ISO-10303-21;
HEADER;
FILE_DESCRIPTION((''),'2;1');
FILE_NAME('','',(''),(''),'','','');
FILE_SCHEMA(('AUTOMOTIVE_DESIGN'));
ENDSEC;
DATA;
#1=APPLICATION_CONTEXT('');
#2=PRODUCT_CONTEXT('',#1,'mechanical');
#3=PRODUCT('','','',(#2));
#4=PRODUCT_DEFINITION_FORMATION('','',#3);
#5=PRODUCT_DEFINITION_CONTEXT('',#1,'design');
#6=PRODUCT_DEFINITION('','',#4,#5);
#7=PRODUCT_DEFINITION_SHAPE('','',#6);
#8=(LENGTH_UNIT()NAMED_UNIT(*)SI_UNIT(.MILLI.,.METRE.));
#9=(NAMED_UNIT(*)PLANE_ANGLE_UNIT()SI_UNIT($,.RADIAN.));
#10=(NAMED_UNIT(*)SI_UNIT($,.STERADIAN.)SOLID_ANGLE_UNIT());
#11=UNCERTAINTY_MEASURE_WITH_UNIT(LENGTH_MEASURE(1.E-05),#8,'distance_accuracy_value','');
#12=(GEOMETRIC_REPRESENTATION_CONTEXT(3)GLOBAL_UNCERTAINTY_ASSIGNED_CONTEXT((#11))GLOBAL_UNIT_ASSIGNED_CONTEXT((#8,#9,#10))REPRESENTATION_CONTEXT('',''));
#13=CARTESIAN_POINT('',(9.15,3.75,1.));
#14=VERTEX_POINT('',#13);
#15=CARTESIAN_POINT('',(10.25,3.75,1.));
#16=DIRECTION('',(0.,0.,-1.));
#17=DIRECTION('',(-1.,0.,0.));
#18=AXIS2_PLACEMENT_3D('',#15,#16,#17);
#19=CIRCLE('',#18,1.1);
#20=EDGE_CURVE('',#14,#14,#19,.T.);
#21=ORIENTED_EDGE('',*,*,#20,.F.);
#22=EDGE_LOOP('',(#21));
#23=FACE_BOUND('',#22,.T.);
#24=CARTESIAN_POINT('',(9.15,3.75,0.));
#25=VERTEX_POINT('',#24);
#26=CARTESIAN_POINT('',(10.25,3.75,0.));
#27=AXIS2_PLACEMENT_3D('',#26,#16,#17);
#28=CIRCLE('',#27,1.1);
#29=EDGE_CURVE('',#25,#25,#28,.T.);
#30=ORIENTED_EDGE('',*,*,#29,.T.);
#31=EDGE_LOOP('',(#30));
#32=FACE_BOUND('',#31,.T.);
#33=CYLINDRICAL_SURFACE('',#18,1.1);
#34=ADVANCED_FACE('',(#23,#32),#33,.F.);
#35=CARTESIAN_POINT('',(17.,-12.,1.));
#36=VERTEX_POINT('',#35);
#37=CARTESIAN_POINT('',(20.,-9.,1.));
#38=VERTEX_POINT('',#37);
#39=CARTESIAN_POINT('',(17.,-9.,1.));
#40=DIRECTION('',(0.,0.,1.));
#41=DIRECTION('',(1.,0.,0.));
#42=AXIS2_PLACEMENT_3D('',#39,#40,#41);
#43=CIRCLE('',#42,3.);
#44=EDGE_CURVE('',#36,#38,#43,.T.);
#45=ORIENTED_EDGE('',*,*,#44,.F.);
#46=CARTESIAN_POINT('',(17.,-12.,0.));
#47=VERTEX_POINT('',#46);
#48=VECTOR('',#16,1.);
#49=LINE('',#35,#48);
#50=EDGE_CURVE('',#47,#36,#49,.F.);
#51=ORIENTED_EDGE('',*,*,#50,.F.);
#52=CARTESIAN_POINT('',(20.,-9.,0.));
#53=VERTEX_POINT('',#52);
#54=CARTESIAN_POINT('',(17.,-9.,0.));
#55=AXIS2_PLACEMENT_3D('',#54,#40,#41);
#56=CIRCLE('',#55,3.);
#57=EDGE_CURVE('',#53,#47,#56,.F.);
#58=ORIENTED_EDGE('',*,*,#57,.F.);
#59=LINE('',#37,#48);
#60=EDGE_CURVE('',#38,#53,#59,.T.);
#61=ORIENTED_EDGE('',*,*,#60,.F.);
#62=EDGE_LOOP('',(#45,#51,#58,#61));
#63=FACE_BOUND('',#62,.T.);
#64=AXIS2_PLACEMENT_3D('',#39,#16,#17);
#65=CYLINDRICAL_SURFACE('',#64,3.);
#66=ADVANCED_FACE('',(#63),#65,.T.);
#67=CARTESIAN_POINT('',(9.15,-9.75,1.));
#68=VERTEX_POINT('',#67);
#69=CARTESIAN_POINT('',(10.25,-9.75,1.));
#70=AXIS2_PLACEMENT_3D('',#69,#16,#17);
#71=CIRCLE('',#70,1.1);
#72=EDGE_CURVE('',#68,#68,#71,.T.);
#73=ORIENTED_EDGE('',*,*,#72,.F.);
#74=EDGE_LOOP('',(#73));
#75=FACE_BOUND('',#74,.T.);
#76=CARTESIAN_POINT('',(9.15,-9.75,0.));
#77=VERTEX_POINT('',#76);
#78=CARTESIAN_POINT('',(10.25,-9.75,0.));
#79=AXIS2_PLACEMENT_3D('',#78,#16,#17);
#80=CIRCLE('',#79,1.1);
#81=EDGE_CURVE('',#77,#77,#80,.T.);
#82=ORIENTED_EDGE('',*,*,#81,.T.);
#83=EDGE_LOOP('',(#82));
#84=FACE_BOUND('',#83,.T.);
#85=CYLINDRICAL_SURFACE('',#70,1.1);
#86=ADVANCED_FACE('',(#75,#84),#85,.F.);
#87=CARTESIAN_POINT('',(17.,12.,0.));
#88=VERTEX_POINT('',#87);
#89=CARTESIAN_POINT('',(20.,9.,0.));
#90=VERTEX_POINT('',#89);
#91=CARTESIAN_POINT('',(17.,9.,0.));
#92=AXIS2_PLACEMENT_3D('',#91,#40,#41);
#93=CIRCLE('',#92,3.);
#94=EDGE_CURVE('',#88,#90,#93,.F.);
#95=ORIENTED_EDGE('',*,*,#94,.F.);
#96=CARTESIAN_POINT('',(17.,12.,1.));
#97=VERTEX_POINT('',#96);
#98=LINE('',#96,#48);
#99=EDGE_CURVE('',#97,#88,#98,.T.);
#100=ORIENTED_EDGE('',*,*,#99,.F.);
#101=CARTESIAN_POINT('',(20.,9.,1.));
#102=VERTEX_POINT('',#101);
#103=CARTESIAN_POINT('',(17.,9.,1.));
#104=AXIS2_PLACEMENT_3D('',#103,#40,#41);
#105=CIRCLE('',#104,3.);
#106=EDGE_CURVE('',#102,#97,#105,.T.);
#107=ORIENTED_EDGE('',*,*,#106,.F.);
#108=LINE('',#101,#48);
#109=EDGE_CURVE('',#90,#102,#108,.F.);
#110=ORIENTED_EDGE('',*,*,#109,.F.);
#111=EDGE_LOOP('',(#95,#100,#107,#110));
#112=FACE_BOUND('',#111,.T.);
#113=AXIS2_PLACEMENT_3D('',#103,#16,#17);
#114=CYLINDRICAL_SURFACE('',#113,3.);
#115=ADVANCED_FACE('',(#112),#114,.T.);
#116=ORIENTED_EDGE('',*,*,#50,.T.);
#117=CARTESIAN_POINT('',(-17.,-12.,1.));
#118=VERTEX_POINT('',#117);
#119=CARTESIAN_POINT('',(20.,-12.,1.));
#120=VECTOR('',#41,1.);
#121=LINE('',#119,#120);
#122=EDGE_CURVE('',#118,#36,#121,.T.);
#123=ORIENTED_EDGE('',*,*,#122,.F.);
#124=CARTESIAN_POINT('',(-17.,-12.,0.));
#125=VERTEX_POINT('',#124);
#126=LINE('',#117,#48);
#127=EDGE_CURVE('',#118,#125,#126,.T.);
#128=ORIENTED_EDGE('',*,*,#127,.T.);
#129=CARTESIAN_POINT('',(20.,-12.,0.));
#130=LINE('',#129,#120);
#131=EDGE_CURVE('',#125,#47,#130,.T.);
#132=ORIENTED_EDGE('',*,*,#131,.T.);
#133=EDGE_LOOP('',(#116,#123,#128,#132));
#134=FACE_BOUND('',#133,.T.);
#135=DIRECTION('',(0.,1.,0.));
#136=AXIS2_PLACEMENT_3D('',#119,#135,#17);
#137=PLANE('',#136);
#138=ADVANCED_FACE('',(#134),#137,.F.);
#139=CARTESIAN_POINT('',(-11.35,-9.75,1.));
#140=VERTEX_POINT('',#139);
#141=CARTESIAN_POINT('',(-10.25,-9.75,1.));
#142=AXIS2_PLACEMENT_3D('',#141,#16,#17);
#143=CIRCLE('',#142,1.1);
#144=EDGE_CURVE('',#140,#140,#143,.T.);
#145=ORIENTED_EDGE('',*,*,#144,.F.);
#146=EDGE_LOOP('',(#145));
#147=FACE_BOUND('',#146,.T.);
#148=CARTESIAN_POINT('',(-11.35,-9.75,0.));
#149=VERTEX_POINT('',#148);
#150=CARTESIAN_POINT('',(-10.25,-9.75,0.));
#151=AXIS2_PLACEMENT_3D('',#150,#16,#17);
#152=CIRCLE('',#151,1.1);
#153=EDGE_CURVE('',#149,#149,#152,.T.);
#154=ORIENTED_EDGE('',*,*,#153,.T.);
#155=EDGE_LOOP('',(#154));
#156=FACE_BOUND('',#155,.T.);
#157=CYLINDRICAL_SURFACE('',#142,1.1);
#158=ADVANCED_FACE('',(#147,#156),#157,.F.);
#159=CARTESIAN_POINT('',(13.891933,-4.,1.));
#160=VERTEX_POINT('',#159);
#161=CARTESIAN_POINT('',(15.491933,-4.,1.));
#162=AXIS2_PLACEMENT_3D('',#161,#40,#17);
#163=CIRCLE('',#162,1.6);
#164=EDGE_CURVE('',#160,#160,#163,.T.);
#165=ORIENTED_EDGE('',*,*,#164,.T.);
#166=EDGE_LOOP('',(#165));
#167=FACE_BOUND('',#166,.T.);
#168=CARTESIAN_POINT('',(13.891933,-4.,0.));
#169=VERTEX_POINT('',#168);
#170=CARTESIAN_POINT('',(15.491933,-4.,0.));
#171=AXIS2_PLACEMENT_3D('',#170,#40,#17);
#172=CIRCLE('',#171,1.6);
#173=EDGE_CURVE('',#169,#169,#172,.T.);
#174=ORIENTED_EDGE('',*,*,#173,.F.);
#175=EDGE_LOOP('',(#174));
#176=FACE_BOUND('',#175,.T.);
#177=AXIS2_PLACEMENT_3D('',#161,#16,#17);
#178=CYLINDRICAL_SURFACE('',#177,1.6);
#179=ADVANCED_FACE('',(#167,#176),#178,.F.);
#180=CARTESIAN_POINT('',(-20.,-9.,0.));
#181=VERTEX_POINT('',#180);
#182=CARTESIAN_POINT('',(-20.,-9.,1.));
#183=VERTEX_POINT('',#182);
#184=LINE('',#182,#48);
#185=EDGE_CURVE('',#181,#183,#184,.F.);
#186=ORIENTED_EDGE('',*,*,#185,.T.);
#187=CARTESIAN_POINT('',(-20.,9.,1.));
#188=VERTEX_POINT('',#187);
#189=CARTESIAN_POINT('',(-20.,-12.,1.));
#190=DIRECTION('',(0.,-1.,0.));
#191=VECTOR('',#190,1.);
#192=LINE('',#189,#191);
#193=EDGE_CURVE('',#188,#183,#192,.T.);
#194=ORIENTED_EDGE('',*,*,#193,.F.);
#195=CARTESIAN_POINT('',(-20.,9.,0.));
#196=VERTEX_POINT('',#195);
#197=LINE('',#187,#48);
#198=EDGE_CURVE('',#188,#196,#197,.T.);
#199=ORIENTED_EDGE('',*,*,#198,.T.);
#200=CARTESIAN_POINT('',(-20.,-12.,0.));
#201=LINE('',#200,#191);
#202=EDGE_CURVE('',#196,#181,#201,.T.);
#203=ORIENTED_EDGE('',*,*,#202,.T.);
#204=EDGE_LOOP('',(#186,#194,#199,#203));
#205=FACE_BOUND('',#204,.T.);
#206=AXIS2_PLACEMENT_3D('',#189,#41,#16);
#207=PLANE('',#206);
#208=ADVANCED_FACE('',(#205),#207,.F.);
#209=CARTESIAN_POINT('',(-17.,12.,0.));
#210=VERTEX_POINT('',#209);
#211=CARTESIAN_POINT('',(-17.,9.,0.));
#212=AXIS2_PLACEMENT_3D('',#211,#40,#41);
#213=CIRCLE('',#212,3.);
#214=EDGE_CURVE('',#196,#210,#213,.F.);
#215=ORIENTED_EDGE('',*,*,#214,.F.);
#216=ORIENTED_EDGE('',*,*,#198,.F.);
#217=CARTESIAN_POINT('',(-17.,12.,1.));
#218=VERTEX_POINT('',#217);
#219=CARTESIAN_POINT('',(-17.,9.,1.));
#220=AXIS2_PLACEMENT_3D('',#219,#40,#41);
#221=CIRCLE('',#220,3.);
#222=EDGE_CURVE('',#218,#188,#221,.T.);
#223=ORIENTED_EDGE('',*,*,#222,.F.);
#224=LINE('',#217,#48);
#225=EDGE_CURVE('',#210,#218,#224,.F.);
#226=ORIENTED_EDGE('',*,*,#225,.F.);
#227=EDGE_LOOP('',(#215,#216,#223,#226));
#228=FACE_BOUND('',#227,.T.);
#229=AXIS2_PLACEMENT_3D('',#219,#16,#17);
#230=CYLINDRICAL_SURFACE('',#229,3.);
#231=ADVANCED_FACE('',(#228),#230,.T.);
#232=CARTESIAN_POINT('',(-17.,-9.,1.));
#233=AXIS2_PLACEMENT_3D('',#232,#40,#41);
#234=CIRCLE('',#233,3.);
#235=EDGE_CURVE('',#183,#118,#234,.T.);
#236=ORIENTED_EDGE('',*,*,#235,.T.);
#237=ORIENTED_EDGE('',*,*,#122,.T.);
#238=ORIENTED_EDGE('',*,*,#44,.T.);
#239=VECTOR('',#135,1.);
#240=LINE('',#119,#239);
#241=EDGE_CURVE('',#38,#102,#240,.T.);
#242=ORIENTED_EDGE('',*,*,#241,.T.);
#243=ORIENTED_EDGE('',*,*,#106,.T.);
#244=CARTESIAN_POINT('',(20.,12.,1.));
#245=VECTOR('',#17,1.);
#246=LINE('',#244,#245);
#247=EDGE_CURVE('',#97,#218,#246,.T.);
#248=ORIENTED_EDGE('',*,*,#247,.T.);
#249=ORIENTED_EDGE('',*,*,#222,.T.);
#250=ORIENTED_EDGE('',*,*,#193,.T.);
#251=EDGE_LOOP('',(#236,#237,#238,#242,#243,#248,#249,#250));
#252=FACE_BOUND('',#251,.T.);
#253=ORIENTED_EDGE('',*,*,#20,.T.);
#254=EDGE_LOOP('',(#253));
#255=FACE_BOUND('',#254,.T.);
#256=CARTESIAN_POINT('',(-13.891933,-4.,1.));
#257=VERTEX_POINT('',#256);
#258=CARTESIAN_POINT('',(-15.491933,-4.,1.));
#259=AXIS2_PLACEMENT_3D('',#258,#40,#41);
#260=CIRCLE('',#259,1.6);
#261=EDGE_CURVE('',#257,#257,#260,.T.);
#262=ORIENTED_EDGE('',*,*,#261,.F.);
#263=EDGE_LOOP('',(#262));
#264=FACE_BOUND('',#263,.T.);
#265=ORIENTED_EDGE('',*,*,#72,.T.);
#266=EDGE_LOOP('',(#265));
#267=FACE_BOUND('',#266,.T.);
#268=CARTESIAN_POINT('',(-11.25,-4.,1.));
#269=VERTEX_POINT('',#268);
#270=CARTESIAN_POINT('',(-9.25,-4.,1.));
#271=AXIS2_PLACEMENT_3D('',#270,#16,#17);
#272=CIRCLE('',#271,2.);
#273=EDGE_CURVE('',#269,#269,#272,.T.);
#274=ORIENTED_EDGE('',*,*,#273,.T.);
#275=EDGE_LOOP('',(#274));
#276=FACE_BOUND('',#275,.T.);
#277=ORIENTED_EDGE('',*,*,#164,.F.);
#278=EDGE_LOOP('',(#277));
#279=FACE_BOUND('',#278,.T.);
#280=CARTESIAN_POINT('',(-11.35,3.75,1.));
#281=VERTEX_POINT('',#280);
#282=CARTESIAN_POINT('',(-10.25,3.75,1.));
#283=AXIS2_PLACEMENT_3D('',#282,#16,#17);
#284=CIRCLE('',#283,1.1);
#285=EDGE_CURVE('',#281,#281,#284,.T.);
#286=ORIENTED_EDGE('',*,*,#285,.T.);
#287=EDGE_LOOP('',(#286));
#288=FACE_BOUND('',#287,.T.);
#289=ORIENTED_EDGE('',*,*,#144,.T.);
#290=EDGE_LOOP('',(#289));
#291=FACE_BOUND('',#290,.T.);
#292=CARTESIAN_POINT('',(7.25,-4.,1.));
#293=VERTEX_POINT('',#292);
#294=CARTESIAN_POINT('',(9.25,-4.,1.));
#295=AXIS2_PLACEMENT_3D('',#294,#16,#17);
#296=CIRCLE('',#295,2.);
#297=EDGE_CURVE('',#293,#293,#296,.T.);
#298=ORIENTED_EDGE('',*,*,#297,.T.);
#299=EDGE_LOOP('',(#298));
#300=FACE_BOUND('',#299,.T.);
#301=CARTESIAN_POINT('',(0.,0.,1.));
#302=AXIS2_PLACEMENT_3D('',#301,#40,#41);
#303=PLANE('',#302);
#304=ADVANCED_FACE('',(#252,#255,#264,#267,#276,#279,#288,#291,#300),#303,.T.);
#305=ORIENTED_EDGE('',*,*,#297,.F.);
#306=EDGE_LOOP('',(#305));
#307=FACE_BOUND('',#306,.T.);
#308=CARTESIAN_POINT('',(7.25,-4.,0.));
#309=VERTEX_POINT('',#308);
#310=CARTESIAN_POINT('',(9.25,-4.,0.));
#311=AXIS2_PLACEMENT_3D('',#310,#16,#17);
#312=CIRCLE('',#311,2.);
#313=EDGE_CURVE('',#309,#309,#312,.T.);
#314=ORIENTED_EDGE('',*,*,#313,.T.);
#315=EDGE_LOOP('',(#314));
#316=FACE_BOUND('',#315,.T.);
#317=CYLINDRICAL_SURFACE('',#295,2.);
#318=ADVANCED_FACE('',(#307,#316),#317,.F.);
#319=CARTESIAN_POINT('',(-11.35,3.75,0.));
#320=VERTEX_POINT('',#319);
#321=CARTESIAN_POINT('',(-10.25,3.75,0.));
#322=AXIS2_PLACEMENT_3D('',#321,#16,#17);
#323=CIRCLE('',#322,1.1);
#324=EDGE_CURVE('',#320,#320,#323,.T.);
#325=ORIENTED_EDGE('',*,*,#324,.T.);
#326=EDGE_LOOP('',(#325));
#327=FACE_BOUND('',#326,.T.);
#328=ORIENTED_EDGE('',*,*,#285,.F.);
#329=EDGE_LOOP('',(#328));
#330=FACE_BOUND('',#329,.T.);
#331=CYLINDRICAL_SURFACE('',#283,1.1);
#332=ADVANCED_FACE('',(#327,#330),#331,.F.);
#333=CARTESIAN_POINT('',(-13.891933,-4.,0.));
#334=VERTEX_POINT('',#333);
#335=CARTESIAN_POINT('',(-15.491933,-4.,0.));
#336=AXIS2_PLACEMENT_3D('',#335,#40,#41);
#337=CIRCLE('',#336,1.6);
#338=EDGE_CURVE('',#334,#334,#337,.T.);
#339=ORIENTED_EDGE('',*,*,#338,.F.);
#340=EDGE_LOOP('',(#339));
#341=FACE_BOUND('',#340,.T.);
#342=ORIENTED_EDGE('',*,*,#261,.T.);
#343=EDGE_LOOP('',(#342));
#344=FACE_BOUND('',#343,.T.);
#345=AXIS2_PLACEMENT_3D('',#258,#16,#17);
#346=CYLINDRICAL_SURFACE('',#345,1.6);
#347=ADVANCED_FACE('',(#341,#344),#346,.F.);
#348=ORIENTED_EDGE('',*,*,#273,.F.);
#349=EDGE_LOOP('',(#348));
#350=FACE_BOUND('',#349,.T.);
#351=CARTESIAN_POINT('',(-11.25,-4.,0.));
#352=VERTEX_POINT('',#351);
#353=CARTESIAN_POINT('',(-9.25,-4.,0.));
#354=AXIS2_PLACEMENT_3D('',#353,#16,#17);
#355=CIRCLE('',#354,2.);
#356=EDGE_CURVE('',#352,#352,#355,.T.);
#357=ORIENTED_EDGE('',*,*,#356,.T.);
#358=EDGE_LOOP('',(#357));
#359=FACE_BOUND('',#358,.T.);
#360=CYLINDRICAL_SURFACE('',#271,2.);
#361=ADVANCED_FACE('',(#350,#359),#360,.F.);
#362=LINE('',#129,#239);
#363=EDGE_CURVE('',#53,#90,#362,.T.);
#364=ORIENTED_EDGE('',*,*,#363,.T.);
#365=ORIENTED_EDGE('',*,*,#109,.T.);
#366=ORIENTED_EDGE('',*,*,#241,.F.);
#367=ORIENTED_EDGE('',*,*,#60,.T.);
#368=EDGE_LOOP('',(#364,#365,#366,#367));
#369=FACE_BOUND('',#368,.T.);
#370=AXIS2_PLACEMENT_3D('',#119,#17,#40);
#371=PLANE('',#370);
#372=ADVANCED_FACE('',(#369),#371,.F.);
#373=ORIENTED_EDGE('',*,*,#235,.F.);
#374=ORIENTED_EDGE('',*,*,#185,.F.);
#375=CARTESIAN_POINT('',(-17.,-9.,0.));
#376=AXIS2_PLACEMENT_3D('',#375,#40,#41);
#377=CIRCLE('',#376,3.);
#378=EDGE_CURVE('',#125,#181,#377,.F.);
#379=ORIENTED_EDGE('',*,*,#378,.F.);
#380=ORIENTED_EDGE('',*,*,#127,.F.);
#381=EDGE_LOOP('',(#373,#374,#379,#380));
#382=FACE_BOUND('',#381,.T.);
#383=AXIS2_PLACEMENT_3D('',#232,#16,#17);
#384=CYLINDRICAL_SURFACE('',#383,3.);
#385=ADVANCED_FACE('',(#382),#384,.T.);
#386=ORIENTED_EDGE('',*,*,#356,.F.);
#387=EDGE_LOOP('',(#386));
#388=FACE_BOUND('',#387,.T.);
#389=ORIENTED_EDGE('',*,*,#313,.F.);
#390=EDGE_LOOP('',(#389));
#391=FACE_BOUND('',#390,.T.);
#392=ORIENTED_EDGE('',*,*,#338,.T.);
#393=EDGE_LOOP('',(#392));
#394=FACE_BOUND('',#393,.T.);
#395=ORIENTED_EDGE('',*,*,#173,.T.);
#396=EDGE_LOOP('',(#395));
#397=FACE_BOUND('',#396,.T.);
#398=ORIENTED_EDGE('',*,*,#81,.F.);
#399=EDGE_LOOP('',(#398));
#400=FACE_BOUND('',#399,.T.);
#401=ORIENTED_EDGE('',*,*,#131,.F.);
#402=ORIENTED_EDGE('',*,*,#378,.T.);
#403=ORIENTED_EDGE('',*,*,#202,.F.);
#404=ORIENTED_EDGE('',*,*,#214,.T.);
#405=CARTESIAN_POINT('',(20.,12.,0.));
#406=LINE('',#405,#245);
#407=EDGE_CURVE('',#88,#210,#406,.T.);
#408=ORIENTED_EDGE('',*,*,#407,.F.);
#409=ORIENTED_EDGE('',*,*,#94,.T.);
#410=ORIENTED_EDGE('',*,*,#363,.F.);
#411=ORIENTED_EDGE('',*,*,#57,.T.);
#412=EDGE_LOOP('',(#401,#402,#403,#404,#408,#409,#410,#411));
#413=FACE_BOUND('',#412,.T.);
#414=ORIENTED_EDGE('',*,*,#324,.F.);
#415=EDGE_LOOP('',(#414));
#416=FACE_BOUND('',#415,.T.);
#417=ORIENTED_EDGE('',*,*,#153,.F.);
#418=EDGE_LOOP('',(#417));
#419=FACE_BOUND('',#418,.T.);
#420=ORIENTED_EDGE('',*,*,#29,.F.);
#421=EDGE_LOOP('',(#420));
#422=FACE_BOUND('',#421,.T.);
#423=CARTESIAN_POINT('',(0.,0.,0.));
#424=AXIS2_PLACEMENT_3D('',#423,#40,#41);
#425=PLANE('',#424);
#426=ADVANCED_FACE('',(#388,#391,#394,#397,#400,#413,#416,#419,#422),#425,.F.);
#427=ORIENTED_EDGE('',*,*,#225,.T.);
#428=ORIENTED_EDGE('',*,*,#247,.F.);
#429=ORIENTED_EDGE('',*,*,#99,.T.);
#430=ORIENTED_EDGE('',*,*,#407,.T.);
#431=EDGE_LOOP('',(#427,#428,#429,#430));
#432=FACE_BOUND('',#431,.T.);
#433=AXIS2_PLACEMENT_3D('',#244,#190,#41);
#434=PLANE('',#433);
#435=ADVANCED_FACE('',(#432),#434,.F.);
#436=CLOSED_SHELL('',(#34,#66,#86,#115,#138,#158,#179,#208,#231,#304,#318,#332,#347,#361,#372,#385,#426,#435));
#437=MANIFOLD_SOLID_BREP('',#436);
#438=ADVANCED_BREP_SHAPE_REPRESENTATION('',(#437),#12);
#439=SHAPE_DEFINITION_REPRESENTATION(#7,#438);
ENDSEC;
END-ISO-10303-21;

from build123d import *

# Parameters (mm, degrees)
SKETCH1_W           = 40
SKETCH1_H           = 24
SKETCH1_R           = 1.6
BOSS_EXTRUDE1_DEPTH = 1
FILLET1_R           = 3
CUT_EXTRUDE1_DEPTH  = 24.34523506


with BuildPart() as part:
    # Sketch1 → Boss-Extrude1 (new body)
    with BuildSketch(Plane.XY):
        Rectangle(SKETCH1_W, SKETCH1_H)
        with Locations((-15.491933385, -4)):
            Circle(SKETCH1_R, mode=Mode.SUBTRACT)
        with Locations(Location((15.491933385, -4, 0), (0, 0, 180))):
            Circle(SKETCH1_R, mode=Mode.SUBTRACT)
    extrude(amount=BOSS_EXTRUDE1_DEPTH)

    # Fillet1
    fillet1_edges = [part.edges().sort_by_distance(p)[0] for p in [
        (-20, 12, 0.5),
        (20, 12, 0.5),
        (20, -12, 0.5),
        (-20, -12, 0.5),
    ]]
    fillet(fillet1_edges, radius=FILLET1_R)

    # Sketch2 → Cut-Extrude1 (cut, through all)
    with BuildSketch(Plane(origin=(0, 0, 0), x_dir=(-1, 0, 0), z_dir=(0, 0, -1))):
        with BuildLine():
            ThreePointArc((10.25, 4.85), (9.15, 3.75), (10.25, 2.65))
            ThreePointArc((10.25, 2.65), (11.35, 3.75), (10.25, 4.85))
        make_face()
        with BuildLine():
            ThreePointArc((10.25, -8.65), (9.15, -9.75), (10.25, -10.85))
            ThreePointArc((10.25, -10.85), (11.35, -9.75), (10.25, -8.65))
        make_face()
        with BuildLine():
            ThreePointArc((-10.25, 4.85), (-11.35, 3.75), (-10.25, 2.65))
            ThreePointArc((-10.25, 2.65), (-9.15, 3.75), (-10.25, 4.85))
        make_face()
        with BuildLine():
            ThreePointArc((-10.25, -8.65), (-11.35, -9.75), (-10.25, -10.85))
            ThreePointArc((-10.25, -10.85), (-9.15, -9.75), (-10.25, -8.65))
        make_face()
        with BuildLine():
            ThreePointArc((-9.25, -6), (-7.25, -4), (-9.25, -2))
            ThreePointArc((-9.25, -2), (-11.25, -4), (-9.25, -6))
        make_face()
        with BuildLine():
            ThreePointArc((9.25, -2), (7.25, -4), (9.25, -6))
            ThreePointArc((9.25, -6), (11.25, -4), (9.25, -2))
        make_face()
    extrude(amount=-CUT_EXTRUDE1_DEPTH, mode=Mode.SUBTRACT)


solid = part.part
